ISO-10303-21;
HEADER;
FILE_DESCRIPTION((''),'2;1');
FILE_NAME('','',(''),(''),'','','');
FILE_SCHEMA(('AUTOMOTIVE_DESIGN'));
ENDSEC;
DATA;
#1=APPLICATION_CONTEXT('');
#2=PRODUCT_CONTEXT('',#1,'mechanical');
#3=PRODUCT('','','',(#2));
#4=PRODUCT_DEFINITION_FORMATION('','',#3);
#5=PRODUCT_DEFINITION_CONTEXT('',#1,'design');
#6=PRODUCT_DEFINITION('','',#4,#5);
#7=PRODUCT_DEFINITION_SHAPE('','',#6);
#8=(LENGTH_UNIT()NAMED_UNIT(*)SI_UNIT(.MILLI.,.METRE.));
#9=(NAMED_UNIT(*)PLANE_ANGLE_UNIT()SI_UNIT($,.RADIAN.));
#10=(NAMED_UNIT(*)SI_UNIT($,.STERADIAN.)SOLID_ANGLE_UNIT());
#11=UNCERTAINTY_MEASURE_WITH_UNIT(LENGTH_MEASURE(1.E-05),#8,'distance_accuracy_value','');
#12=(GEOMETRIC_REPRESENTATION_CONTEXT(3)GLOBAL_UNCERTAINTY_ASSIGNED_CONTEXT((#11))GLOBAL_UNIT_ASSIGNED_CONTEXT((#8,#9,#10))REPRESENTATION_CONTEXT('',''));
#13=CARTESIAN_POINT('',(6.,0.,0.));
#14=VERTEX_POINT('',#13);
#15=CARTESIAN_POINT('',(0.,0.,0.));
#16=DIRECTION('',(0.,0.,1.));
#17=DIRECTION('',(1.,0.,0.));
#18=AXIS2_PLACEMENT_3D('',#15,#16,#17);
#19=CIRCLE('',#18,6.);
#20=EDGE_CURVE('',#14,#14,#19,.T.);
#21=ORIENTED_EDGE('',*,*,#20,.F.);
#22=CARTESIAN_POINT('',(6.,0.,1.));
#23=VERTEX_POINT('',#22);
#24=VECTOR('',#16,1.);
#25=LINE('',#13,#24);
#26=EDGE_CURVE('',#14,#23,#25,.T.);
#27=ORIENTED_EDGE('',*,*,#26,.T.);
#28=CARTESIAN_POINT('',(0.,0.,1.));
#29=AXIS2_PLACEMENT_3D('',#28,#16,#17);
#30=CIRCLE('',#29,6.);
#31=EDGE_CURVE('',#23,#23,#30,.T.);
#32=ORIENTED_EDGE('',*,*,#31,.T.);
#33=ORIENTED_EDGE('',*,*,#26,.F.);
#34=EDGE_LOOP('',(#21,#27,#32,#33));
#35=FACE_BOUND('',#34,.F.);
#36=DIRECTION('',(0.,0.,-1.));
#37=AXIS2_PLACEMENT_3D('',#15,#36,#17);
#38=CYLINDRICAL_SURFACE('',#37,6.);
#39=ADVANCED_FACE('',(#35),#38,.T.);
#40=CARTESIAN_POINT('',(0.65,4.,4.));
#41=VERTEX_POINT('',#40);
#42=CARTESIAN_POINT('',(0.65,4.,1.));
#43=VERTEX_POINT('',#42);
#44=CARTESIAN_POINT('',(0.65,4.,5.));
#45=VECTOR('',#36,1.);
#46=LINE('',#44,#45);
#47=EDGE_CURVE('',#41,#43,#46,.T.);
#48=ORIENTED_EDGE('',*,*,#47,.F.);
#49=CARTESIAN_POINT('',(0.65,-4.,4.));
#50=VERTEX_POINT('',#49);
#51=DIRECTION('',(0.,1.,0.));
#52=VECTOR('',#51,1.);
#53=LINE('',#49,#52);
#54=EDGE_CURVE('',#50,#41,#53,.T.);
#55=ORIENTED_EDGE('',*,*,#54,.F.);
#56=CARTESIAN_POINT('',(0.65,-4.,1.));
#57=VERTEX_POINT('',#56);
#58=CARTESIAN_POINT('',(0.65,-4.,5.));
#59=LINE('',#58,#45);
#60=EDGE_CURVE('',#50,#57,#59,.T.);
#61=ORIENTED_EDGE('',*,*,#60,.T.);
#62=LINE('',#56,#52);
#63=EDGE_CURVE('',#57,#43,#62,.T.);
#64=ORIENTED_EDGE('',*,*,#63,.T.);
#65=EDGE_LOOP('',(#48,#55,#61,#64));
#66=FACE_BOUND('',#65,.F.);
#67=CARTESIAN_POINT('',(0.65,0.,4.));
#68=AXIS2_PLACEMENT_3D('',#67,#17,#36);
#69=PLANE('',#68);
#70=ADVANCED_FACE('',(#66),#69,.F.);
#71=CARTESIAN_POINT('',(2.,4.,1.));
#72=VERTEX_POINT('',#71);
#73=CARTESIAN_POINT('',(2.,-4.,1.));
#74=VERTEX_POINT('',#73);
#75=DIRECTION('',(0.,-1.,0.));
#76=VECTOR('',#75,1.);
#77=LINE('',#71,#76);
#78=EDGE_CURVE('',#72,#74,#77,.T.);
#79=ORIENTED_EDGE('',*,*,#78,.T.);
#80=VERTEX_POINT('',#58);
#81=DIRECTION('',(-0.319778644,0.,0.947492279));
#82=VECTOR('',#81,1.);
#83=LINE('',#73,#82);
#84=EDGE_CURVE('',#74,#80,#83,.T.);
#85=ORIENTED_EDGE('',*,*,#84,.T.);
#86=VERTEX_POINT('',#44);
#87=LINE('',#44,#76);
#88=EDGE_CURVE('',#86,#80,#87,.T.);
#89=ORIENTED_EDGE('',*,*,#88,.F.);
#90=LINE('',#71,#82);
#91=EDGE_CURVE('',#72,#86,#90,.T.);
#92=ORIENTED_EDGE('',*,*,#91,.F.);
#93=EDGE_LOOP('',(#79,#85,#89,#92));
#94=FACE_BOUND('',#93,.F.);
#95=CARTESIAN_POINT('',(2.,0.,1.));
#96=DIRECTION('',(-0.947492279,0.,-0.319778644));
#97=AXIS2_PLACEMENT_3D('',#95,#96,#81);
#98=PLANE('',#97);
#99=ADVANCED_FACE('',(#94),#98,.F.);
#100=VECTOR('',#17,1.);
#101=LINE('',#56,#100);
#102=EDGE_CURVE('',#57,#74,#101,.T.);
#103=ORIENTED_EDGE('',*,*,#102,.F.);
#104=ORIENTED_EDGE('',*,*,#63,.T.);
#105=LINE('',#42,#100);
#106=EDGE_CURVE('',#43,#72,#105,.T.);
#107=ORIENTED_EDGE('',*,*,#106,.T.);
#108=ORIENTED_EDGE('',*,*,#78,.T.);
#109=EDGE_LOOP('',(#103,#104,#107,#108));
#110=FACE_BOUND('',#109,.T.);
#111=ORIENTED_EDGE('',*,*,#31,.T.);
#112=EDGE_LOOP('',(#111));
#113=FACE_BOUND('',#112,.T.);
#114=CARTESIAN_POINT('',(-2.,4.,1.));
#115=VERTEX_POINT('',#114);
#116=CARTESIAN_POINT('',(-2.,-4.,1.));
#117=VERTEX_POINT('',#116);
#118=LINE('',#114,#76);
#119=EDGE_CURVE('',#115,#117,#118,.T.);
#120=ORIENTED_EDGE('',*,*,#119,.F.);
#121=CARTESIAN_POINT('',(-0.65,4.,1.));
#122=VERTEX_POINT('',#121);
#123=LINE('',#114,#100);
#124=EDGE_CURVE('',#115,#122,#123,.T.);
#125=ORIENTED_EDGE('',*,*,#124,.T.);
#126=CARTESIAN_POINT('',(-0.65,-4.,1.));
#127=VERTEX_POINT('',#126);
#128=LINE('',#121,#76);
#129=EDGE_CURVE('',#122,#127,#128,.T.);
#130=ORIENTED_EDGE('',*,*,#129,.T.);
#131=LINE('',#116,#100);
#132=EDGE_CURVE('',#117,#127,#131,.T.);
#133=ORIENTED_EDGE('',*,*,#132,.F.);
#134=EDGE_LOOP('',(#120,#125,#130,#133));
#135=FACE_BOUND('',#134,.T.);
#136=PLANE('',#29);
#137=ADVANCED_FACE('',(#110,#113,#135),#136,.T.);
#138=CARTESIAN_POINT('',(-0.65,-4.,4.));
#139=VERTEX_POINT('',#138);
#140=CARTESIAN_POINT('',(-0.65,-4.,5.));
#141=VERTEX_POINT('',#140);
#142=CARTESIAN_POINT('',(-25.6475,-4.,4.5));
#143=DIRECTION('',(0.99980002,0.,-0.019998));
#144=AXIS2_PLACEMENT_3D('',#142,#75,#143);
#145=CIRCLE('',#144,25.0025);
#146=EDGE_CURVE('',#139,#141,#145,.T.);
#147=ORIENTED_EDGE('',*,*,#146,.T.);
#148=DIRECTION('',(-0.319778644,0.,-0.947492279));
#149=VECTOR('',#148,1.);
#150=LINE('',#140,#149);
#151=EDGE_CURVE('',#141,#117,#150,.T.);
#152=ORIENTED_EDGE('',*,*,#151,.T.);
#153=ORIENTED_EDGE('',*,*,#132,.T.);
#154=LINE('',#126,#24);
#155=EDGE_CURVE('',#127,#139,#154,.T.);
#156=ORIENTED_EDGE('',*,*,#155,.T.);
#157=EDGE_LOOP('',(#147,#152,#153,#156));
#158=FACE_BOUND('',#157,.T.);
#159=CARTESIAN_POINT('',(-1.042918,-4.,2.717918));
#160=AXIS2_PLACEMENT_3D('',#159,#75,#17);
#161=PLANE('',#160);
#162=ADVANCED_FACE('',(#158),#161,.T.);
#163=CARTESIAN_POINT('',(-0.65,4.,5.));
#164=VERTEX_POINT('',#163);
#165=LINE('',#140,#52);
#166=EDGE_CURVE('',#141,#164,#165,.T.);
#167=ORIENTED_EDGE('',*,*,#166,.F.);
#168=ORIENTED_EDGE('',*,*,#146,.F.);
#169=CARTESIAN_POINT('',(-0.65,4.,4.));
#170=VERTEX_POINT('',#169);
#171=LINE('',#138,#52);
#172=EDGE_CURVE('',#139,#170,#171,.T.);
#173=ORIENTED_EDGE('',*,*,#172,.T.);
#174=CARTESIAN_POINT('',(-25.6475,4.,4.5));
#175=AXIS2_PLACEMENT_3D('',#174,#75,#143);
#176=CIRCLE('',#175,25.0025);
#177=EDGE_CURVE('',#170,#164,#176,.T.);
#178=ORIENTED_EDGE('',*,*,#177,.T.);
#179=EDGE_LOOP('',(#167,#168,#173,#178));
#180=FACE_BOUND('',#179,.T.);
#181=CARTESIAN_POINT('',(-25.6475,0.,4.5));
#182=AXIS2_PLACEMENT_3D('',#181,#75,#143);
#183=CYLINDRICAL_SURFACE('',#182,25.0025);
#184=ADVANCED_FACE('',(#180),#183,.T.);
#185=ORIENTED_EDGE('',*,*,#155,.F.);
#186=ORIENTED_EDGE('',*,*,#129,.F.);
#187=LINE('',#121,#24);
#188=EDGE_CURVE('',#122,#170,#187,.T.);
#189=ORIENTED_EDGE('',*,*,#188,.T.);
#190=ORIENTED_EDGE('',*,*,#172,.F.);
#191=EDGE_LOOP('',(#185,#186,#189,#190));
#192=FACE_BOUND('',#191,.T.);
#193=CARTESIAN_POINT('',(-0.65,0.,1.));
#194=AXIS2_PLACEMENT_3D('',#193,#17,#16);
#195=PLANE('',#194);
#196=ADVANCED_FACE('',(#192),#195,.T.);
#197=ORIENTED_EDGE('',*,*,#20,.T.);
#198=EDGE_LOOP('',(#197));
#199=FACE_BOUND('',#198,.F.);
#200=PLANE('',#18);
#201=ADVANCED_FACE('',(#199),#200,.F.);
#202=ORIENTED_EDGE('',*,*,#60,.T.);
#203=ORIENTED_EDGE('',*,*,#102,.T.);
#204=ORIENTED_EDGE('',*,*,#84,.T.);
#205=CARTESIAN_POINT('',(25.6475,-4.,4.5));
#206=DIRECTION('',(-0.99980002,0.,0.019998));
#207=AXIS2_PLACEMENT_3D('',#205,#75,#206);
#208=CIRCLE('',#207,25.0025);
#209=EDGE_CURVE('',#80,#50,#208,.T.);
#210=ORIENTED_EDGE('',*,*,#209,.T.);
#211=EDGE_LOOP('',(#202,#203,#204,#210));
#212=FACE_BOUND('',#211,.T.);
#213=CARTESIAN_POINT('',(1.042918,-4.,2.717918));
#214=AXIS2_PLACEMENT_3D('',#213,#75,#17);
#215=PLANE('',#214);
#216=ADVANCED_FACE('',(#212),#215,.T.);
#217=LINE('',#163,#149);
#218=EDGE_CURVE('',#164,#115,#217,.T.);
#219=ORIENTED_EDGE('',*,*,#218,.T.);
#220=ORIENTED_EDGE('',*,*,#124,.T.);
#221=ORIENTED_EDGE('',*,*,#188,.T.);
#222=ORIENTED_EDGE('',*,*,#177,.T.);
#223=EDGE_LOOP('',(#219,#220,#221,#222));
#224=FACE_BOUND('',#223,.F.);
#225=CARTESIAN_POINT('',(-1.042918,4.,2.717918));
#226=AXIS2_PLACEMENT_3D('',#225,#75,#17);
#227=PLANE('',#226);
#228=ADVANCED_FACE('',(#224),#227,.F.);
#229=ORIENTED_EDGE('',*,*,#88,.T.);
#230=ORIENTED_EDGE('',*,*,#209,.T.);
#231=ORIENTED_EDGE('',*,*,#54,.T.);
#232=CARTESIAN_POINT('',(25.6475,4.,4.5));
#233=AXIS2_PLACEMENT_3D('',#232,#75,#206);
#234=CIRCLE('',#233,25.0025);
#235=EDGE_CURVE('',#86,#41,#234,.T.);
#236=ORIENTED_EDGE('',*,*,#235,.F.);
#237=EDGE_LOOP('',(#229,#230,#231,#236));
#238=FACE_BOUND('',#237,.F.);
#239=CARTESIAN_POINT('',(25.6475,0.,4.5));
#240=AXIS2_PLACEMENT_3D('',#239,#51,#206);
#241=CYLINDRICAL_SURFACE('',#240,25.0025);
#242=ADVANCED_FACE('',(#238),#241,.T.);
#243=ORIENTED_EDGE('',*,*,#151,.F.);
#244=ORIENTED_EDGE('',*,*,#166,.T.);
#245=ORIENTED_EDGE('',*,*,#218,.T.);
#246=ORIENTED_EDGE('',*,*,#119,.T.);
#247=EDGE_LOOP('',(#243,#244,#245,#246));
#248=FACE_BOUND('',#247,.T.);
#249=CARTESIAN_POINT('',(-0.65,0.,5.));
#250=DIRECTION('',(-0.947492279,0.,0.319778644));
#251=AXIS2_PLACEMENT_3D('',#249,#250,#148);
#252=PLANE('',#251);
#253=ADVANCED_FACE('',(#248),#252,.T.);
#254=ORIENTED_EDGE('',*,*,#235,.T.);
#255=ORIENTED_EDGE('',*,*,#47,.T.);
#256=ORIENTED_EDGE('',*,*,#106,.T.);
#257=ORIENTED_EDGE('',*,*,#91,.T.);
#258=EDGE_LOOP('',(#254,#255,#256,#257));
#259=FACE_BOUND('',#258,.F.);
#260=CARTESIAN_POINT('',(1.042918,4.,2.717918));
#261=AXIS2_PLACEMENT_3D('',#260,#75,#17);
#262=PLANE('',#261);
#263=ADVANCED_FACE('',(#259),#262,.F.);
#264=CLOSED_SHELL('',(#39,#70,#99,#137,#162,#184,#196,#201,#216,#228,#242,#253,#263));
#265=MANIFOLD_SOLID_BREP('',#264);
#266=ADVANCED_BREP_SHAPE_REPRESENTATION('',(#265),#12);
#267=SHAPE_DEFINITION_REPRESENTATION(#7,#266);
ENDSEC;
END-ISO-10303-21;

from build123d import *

# Parameters (mm, degrees)
F0_R     = 6
F1_DEPTH = 1
F3_DEPTH = 4


with BuildPart() as f1:
    # F0 (on Top) → F1 (new body)
    with BuildSketch(Plane.XY):
        Circle(F0_R)
    extrude(amount=F1_DEPTH)

    # F2 (on Front) → F3 (join, symmetric)
    with BuildSketch(Plane.XZ):
        Polygon((0.65, 4), (0.65, 1), (2, 1), (0.65, 5), align=None)
        Polygon((-0.65, 5), (-2, 1), (-0.65, 1), (-0.65, 4), align=None)
        with BuildLine():
            ThreePointArc((-0.65, 4), (-0.645, 4.5), (-0.65, 5))
            Line((-0.65, 5), (-0.65, 4))
        make_face()
        with BuildLine():
            ThreePointArc((0.65, 5), (0.645, 4.5), (0.65, 4))
            Line((0.65, 4), (0.65, 5))
        make_face()
    extrude(amount=F3_DEPTH, both=True)


solid = f1.part
